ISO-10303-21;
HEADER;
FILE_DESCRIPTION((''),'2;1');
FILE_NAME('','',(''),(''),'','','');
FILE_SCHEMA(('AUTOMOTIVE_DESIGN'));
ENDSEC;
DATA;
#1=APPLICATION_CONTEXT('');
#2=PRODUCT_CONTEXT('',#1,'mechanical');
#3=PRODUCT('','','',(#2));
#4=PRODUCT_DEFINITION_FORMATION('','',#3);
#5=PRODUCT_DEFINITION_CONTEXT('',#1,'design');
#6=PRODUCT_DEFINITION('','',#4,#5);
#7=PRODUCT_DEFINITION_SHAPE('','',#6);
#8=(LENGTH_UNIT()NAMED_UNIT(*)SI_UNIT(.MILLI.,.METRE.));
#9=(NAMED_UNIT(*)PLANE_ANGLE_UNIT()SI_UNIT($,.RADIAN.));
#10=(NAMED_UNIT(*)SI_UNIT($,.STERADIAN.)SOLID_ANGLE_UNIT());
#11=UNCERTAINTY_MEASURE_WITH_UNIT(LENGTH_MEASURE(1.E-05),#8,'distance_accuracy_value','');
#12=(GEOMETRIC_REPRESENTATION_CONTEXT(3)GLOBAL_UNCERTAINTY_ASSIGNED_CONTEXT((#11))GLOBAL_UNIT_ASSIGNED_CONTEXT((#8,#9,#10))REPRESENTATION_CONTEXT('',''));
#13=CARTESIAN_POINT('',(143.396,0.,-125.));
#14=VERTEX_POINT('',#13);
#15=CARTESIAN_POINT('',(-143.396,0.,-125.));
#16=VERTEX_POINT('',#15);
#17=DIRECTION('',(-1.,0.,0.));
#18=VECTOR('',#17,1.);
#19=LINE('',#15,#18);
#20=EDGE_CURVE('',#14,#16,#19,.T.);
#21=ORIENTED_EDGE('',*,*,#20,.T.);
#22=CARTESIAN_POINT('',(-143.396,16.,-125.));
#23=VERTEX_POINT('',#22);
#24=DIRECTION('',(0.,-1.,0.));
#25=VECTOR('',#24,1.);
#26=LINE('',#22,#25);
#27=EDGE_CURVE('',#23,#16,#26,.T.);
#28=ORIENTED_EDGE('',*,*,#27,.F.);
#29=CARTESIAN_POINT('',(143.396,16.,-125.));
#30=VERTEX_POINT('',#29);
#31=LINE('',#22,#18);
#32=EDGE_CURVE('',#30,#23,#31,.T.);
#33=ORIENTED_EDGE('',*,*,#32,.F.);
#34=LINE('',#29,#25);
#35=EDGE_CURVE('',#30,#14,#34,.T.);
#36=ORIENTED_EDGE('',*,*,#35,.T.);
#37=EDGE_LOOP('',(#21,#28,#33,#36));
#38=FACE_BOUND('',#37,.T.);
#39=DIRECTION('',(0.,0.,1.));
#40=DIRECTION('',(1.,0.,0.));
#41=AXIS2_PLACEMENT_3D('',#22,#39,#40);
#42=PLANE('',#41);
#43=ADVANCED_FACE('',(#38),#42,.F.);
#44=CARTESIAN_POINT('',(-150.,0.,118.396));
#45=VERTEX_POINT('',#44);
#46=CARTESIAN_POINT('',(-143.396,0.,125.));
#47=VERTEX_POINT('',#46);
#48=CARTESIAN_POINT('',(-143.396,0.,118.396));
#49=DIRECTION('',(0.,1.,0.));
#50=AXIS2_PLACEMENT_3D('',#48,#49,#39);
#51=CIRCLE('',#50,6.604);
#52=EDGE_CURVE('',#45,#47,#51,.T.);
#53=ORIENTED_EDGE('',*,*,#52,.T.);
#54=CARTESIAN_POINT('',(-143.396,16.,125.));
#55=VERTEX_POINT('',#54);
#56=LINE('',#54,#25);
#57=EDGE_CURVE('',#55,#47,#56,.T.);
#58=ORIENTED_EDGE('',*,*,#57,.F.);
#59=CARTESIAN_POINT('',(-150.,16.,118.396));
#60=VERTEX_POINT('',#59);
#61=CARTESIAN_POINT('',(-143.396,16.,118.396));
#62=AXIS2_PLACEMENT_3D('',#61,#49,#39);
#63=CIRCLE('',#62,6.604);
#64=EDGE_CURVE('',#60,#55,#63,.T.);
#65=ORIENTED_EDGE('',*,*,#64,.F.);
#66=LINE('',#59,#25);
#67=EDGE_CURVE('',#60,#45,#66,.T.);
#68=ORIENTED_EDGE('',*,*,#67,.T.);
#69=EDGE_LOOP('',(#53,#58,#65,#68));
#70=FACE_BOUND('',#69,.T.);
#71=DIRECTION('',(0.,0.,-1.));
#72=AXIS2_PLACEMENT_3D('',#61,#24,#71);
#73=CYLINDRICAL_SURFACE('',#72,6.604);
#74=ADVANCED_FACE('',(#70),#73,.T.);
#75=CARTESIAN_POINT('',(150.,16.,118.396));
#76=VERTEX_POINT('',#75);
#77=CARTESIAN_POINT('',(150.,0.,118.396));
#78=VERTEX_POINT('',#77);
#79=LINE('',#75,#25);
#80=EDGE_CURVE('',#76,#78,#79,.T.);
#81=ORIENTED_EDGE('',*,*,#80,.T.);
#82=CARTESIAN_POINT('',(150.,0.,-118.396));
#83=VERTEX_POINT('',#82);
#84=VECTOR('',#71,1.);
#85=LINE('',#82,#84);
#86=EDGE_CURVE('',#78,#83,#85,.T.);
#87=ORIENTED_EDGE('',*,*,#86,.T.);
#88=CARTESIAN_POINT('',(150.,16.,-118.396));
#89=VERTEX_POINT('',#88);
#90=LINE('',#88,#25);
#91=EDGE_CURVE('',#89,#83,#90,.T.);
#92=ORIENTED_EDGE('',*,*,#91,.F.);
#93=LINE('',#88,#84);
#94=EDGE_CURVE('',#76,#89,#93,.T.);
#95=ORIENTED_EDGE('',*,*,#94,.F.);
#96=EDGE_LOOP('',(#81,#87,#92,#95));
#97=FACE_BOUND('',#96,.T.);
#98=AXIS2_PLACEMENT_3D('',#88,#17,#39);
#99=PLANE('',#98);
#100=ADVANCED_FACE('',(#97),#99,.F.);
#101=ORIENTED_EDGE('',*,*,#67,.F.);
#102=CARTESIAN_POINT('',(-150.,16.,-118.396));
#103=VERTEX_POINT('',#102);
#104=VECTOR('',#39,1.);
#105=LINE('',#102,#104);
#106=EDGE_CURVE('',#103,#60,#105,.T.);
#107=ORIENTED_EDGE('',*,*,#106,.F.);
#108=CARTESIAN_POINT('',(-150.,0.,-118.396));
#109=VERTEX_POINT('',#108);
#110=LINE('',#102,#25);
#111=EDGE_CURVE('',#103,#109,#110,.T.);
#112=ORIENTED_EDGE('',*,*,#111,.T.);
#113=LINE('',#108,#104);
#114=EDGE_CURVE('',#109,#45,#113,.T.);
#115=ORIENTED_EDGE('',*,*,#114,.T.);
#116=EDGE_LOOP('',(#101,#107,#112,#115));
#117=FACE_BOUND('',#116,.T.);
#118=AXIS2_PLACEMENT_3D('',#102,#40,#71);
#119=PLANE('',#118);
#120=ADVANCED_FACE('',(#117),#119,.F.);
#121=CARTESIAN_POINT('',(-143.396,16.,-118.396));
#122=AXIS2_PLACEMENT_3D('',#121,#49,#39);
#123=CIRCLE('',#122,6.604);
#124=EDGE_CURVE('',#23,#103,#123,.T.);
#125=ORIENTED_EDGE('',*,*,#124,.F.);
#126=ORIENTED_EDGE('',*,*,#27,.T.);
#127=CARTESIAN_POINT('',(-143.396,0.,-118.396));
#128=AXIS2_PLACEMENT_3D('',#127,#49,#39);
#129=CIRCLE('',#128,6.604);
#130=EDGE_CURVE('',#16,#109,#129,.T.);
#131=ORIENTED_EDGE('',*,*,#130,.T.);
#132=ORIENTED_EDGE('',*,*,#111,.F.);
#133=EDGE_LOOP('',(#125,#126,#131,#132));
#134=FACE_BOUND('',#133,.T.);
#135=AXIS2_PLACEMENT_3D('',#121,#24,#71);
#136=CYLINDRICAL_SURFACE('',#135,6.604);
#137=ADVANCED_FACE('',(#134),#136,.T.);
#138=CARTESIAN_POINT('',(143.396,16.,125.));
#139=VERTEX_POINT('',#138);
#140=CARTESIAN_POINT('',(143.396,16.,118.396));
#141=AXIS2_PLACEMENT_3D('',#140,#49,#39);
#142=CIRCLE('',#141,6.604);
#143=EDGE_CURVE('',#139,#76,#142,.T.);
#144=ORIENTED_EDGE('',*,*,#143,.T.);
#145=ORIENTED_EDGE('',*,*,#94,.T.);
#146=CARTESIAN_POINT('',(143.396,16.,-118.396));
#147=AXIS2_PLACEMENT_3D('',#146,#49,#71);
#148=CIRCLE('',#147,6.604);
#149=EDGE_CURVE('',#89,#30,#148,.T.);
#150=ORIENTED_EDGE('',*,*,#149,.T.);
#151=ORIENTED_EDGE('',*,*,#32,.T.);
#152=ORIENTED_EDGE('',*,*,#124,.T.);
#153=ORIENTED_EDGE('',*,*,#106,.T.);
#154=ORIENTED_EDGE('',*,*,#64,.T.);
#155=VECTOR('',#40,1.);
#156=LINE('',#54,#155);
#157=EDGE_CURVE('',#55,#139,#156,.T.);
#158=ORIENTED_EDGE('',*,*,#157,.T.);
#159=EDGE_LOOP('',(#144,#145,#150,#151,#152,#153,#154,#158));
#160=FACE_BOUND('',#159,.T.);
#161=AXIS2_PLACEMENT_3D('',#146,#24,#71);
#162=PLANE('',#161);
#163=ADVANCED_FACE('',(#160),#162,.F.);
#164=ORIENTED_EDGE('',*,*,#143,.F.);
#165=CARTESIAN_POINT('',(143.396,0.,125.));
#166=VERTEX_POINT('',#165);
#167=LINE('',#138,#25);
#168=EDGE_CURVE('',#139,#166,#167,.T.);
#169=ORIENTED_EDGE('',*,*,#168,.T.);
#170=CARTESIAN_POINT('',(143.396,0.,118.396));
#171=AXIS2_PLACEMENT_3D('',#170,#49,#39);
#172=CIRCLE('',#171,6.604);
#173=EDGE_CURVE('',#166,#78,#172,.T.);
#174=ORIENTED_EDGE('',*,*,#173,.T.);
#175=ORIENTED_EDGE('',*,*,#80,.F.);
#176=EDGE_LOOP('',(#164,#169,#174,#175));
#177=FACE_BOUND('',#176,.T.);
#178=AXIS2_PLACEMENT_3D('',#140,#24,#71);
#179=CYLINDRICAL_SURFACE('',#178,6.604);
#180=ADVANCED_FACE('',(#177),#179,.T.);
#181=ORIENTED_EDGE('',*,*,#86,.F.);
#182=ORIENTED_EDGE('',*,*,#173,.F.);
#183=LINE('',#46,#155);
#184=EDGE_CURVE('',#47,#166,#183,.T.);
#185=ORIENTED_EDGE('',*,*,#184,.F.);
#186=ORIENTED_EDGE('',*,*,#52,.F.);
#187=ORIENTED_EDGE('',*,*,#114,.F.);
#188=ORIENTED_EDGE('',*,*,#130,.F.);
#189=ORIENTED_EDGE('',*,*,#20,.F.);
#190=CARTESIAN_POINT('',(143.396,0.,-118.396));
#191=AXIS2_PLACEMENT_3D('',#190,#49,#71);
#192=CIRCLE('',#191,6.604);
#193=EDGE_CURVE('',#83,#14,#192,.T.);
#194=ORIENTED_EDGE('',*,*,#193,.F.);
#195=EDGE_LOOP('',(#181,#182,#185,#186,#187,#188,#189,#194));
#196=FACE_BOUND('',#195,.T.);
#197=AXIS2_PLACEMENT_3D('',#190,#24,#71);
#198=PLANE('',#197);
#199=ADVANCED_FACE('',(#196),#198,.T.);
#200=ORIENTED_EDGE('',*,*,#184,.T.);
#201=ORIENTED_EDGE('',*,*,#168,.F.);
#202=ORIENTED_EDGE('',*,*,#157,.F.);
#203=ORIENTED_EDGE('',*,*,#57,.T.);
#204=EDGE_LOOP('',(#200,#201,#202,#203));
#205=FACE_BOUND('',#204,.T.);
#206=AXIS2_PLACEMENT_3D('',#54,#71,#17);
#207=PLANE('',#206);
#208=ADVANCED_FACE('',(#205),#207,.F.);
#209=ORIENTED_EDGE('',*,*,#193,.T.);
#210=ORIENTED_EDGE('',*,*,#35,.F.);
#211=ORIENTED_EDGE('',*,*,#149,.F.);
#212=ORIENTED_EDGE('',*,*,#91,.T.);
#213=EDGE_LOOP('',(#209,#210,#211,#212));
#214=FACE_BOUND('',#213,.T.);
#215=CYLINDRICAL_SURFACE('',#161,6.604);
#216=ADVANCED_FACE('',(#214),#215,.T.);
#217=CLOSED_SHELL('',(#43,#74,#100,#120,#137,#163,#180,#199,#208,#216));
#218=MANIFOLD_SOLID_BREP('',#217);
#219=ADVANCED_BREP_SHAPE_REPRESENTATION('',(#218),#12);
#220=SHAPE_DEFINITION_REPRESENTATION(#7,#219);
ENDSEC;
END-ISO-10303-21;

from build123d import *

# Parameters (mm, degrees)
SALIENTE_EXTRUIR1_DEPTH = 16


with BuildPart() as part:
    # Croquis1 → Saliente-Extruir1 (new body)
    with BuildSketch(Plane(origin=(0, 0, 0), x_dir=(1, 0, 0), z_dir=(0, 1, 0))):
        with BuildLine():
            Line((-143.396, 125), (143.396, 125))
            ThreePointArc((143.396, 125), (148.065733183, 123.065733183), (150, 118.396))
            Line((150, 118.396), (150, -118.396))
            ThreePointArc((150, -118.396), (148.065733183, -123.065733183), (143.396, -125))
            Line((143.396, -125), (-143.396, -125))
            ThreePointArc((-143.396, -125), (-148.065733183, -123.065733183), (-150, -118.396))
            Line((-150, -118.396), (-150, 118.396))
            ThreePointArc((-150, 118.396), (-148.065733183, 123.065733183), (-143.396, 125))
        make_face()
    extrude(amount=SALIENTE_EXTRUIR1_DEPTH)


solid = part.part
